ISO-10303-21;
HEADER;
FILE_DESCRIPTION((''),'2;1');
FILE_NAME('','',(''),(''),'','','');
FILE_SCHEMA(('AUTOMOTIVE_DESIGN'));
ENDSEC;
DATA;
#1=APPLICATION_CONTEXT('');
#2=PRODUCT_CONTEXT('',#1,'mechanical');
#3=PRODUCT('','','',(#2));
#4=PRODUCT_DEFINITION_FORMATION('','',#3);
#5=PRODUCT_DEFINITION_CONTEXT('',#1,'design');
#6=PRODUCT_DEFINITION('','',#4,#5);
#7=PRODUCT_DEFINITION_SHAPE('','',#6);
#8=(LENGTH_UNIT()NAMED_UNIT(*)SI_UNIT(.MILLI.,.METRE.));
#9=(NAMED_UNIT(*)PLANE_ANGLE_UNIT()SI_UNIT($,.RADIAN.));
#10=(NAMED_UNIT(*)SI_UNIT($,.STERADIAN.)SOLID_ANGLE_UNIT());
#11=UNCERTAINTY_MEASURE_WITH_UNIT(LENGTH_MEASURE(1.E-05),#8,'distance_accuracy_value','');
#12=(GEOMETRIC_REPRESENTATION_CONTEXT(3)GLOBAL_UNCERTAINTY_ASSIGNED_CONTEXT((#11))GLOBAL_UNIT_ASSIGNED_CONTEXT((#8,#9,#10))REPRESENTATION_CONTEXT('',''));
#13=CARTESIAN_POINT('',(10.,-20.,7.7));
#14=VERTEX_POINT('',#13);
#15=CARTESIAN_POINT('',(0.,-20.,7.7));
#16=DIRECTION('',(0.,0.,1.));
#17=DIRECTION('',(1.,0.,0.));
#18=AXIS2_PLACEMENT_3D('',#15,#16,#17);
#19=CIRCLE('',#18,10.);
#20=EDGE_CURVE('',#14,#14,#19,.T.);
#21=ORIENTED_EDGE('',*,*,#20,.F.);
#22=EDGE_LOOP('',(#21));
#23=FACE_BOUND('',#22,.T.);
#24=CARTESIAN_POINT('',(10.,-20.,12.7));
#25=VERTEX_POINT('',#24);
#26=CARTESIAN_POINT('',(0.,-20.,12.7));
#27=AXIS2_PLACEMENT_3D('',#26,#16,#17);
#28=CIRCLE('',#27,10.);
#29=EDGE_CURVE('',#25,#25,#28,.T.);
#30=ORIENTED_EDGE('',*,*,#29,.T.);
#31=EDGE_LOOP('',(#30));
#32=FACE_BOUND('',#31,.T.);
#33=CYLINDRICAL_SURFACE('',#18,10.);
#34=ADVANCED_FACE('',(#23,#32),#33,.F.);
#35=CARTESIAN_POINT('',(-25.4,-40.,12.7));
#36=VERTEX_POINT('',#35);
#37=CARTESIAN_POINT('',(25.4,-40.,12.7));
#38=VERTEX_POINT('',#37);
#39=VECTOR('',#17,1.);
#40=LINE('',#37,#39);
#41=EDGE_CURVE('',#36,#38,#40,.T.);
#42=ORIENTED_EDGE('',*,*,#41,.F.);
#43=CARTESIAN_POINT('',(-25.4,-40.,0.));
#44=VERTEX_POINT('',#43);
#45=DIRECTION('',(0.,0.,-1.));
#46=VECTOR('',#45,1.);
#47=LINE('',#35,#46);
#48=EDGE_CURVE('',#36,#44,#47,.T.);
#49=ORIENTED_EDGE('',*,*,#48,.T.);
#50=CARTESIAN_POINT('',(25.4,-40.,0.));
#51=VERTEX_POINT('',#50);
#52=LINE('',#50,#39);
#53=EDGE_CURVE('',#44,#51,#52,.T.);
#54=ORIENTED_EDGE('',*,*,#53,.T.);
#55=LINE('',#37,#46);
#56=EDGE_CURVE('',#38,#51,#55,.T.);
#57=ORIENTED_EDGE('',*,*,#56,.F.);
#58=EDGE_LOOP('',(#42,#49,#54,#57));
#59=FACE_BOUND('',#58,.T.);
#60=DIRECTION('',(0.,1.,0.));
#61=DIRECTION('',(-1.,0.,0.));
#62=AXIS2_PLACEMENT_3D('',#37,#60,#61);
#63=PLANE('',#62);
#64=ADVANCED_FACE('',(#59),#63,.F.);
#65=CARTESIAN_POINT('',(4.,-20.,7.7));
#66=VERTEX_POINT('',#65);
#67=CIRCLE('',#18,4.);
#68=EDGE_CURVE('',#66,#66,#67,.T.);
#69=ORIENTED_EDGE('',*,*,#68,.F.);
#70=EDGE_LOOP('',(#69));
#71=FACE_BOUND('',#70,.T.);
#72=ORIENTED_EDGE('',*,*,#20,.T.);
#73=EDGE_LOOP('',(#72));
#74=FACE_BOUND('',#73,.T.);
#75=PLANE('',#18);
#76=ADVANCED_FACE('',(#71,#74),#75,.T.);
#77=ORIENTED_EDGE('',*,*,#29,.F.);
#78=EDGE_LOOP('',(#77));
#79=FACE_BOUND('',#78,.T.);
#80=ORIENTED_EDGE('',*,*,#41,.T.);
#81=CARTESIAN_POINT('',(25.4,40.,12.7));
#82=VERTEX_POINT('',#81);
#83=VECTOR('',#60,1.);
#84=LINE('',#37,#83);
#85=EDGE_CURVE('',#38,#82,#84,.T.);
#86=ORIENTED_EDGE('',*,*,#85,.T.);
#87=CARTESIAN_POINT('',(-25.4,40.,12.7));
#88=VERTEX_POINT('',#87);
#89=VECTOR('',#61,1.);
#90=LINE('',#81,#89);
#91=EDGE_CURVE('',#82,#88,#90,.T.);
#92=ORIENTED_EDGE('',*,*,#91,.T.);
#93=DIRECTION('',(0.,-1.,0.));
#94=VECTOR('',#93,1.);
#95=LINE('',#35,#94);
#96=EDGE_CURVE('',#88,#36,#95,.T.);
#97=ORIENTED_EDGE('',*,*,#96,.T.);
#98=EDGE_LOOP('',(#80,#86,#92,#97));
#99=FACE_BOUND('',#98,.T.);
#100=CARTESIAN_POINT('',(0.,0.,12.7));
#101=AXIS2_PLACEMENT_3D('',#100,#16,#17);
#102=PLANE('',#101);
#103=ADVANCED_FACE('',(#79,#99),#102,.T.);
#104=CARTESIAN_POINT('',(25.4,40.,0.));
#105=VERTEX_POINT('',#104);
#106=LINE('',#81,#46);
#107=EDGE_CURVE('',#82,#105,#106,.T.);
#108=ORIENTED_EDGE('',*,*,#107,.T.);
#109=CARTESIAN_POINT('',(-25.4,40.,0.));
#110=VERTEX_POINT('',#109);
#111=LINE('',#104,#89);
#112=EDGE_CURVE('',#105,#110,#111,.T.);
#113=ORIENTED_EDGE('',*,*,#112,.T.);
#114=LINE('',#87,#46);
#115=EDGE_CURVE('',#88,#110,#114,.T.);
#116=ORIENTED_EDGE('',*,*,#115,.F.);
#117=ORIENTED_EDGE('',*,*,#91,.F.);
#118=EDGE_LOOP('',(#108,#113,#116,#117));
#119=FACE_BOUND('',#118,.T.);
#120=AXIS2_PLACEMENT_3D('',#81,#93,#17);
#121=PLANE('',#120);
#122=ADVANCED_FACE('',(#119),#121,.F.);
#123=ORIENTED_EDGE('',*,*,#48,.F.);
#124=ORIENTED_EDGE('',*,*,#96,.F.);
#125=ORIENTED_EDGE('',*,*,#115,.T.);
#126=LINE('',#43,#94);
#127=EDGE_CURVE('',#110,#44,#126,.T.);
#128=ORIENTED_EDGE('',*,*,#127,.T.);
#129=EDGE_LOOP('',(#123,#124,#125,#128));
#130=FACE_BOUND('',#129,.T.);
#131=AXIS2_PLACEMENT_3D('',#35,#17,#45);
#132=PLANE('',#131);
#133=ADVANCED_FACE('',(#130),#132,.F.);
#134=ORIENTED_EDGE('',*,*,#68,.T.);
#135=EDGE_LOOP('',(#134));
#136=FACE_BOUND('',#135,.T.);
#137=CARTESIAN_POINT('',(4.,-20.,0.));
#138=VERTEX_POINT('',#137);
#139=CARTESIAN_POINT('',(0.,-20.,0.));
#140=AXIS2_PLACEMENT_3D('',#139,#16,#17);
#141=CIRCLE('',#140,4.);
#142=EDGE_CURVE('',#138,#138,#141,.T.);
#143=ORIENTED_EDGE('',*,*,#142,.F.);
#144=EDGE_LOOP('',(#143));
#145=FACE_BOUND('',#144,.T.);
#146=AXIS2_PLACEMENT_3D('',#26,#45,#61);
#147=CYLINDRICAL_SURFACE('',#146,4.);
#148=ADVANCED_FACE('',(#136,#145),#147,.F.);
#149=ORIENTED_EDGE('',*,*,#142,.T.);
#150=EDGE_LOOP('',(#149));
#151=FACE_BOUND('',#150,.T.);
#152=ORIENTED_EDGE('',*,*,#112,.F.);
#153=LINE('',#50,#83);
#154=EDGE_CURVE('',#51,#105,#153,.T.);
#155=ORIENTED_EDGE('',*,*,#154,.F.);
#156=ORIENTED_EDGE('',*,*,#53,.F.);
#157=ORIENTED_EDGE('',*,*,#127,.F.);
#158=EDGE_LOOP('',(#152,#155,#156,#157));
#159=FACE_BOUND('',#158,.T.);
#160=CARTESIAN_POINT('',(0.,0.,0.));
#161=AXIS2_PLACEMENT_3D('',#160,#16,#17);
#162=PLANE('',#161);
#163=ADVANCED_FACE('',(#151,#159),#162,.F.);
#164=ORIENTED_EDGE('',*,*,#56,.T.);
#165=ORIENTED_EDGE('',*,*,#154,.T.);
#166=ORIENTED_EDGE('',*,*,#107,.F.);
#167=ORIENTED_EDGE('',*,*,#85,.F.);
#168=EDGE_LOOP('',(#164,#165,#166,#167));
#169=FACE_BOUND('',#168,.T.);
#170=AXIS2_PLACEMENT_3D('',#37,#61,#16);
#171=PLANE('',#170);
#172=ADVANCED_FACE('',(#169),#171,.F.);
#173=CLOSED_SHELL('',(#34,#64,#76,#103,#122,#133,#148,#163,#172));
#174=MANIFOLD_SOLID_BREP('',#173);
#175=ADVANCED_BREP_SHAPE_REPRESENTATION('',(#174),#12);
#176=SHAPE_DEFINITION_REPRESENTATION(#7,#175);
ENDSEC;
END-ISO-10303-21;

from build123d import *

# Parameters (mm, degrees)
CROQUIS1_W              = 50.8
CROQUIS1_H              = 80
CROQUIS1_R              = 4
SALIENTE_EXTRUIR1_DEPTH = 12.7
CROQUIS2_R              = 10
CORTAR_EXTRUIR1_DEPTH   = 5


with BuildPart() as part:
    # Croquis1 → Saliente-Extruir1 (new body)
    with BuildSketch(Plane.XY):
        Rectangle(CROQUIS1_W, CROQUIS1_H)
        with Locations((0, -20)):
            Circle(CROQUIS1_R, mode=Mode.SUBTRACT)
    extrude(amount=SALIENTE_EXTRUIR1_DEPTH)

    # Croquis2 → Cortar-Extruir1 (cut)
    with BuildSketch(Plane.XY.offset(12.7)):
        with Locations((0, -20)):
            Circle(CROQUIS2_R)
    extrude(amount=-CORTAR_EXTRUIR1_DEPTH, mode=Mode.SUBTRACT)


solid = part.part
